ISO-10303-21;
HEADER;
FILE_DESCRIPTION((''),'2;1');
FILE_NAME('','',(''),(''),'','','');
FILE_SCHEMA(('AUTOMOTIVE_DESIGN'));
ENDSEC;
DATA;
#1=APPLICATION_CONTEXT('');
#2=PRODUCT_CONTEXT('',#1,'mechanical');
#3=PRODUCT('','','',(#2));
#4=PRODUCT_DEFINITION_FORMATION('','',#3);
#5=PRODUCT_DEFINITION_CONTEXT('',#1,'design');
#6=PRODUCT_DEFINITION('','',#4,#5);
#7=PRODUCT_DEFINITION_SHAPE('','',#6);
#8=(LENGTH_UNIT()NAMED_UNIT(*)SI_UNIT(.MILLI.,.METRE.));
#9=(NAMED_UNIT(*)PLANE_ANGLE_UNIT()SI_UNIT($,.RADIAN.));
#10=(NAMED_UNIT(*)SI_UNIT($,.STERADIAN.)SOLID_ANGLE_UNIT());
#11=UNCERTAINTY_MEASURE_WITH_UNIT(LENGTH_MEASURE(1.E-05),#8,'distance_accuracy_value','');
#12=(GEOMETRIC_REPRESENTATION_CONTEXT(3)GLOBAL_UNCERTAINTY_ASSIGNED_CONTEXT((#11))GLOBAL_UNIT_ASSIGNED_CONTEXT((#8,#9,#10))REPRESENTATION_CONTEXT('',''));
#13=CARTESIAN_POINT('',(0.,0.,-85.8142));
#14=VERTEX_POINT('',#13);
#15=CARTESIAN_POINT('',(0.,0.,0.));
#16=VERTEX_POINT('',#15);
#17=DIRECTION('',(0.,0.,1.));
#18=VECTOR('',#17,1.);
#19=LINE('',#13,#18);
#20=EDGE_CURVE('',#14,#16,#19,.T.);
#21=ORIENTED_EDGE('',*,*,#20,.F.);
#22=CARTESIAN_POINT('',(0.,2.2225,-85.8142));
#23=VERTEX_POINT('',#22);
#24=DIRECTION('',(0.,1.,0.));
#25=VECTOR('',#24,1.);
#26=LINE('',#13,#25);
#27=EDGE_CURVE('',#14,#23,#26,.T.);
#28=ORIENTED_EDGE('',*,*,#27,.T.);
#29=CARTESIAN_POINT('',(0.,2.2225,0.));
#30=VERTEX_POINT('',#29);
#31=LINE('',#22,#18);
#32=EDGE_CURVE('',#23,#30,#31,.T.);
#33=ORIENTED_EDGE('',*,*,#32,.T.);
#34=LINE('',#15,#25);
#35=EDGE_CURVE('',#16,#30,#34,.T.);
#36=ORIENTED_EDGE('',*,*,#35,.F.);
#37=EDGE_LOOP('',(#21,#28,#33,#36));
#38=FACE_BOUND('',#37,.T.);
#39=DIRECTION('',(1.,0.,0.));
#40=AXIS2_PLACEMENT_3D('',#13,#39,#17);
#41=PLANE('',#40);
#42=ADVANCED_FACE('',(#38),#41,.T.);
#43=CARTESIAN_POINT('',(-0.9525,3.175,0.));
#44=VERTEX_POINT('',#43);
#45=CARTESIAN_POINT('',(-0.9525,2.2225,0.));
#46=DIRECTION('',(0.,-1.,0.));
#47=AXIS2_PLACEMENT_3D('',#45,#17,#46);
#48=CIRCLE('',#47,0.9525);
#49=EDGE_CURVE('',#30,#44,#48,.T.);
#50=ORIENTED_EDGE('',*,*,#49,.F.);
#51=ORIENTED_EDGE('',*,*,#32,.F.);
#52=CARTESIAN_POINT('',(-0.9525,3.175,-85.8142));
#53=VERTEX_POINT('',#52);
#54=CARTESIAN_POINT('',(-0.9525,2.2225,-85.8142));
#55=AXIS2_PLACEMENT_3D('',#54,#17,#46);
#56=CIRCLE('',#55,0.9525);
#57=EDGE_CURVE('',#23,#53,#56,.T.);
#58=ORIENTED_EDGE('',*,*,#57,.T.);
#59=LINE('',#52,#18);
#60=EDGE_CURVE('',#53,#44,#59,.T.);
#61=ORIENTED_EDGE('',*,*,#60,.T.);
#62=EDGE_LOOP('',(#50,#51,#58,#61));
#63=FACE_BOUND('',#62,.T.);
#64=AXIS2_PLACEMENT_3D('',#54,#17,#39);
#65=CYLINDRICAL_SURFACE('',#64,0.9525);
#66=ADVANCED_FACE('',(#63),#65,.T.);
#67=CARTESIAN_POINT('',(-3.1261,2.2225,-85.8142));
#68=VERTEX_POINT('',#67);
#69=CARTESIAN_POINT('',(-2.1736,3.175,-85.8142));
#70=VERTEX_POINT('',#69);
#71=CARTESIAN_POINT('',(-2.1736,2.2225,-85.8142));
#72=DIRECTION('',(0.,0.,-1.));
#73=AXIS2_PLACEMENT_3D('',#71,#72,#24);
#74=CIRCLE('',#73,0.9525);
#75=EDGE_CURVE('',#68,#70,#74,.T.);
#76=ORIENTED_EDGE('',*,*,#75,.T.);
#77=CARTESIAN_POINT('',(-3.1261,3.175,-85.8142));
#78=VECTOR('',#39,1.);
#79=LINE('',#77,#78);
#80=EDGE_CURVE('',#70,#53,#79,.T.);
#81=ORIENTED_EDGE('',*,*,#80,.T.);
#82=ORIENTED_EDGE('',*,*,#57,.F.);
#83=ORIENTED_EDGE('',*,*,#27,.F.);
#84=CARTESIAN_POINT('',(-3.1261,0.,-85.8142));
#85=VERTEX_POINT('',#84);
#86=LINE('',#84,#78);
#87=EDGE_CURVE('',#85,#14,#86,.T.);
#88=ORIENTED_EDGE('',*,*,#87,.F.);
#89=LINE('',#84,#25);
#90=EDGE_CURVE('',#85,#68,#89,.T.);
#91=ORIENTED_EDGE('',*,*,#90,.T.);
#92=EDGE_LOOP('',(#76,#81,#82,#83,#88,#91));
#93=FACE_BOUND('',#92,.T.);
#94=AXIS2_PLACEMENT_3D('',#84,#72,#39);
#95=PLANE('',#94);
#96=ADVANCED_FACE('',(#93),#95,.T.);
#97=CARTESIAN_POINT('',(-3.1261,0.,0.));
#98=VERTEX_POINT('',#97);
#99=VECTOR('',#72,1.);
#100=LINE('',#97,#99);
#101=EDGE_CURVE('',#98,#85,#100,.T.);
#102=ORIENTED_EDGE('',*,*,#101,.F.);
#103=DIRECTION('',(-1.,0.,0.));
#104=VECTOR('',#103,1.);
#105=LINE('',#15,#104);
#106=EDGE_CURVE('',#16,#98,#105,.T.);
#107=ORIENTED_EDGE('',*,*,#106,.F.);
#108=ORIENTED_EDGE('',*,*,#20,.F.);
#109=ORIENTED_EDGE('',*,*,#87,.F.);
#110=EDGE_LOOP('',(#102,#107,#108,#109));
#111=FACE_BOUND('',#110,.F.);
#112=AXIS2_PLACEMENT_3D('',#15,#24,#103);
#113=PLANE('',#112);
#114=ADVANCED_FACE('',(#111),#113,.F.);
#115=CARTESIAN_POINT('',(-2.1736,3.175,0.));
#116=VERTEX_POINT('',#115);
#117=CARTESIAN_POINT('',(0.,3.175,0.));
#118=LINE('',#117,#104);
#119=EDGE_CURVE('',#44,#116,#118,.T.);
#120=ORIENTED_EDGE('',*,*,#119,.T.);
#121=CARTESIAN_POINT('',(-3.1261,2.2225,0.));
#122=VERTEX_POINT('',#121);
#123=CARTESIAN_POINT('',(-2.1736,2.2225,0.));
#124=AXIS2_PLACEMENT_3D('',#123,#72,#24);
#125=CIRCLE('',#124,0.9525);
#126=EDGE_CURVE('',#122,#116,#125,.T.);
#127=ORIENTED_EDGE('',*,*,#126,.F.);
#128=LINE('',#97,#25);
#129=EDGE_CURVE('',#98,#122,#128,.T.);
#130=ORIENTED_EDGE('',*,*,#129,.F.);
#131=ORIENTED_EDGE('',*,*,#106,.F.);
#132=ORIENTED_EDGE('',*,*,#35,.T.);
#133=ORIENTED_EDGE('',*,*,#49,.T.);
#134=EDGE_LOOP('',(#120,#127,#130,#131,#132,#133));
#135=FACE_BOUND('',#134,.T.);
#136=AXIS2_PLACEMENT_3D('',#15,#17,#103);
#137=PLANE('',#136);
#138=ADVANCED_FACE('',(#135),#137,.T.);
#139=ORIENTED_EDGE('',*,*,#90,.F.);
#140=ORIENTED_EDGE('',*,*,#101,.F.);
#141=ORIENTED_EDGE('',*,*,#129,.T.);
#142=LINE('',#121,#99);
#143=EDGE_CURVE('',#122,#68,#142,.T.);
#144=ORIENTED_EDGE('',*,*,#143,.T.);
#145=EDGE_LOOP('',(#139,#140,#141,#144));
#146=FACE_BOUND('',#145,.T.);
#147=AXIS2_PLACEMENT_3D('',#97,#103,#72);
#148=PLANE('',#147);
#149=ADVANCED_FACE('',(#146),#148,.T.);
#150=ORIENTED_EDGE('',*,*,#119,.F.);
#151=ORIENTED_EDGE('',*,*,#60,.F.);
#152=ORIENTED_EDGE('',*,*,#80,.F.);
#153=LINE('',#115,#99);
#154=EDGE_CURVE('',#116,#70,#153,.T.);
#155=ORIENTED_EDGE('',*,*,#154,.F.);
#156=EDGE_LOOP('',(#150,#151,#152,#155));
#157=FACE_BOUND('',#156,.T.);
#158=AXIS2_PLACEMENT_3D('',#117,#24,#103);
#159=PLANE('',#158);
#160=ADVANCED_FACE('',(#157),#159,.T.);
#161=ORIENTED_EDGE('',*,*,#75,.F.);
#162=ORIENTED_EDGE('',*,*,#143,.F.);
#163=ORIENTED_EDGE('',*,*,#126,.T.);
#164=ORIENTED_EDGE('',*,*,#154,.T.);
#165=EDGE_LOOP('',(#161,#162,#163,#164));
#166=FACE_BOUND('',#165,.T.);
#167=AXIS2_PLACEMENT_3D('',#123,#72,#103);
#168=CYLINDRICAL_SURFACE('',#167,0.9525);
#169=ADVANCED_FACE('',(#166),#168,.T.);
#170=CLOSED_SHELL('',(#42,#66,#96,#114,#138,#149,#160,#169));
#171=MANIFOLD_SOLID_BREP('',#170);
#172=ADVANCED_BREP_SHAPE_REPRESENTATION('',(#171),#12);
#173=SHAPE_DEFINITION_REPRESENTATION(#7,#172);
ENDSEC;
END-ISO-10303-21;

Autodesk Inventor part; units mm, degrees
ref_plane "YZ Plane" through (0, 0, 0) normal (1, 0, 0) x (0, 1, 0)
ref_plane "XZ Plane" through (0, 0, 0) normal (0, 1, 0) x (-1, 0, 0)
ref_plane "XY Plane" through (0, 0, 0) normal (0, 0, 1) x (1, 0, 0)
sketch "Sketch1" plane through (0, 0, 0) normal (0, 1, 0) x (-1, 0, 0)
  line L0 (0, 0) -> (3.1261, 0)
  line L1 (3.1261, 0) -> (3.1261, -85.8142)
  line L2 (3.1261, -85.8142) -> (0, -85.8142)
  line L3 (0, -85.8142) -> (0, 0)
extrude "Extrusion1" add sketch "Sketch1" along normal blind 3.175
fillet "Fillet1" radius 0.9525 2 edges at (0, 3.175, -42.9071) (-3.1261, 3.175, -42.9071)
properties part number "riser"
